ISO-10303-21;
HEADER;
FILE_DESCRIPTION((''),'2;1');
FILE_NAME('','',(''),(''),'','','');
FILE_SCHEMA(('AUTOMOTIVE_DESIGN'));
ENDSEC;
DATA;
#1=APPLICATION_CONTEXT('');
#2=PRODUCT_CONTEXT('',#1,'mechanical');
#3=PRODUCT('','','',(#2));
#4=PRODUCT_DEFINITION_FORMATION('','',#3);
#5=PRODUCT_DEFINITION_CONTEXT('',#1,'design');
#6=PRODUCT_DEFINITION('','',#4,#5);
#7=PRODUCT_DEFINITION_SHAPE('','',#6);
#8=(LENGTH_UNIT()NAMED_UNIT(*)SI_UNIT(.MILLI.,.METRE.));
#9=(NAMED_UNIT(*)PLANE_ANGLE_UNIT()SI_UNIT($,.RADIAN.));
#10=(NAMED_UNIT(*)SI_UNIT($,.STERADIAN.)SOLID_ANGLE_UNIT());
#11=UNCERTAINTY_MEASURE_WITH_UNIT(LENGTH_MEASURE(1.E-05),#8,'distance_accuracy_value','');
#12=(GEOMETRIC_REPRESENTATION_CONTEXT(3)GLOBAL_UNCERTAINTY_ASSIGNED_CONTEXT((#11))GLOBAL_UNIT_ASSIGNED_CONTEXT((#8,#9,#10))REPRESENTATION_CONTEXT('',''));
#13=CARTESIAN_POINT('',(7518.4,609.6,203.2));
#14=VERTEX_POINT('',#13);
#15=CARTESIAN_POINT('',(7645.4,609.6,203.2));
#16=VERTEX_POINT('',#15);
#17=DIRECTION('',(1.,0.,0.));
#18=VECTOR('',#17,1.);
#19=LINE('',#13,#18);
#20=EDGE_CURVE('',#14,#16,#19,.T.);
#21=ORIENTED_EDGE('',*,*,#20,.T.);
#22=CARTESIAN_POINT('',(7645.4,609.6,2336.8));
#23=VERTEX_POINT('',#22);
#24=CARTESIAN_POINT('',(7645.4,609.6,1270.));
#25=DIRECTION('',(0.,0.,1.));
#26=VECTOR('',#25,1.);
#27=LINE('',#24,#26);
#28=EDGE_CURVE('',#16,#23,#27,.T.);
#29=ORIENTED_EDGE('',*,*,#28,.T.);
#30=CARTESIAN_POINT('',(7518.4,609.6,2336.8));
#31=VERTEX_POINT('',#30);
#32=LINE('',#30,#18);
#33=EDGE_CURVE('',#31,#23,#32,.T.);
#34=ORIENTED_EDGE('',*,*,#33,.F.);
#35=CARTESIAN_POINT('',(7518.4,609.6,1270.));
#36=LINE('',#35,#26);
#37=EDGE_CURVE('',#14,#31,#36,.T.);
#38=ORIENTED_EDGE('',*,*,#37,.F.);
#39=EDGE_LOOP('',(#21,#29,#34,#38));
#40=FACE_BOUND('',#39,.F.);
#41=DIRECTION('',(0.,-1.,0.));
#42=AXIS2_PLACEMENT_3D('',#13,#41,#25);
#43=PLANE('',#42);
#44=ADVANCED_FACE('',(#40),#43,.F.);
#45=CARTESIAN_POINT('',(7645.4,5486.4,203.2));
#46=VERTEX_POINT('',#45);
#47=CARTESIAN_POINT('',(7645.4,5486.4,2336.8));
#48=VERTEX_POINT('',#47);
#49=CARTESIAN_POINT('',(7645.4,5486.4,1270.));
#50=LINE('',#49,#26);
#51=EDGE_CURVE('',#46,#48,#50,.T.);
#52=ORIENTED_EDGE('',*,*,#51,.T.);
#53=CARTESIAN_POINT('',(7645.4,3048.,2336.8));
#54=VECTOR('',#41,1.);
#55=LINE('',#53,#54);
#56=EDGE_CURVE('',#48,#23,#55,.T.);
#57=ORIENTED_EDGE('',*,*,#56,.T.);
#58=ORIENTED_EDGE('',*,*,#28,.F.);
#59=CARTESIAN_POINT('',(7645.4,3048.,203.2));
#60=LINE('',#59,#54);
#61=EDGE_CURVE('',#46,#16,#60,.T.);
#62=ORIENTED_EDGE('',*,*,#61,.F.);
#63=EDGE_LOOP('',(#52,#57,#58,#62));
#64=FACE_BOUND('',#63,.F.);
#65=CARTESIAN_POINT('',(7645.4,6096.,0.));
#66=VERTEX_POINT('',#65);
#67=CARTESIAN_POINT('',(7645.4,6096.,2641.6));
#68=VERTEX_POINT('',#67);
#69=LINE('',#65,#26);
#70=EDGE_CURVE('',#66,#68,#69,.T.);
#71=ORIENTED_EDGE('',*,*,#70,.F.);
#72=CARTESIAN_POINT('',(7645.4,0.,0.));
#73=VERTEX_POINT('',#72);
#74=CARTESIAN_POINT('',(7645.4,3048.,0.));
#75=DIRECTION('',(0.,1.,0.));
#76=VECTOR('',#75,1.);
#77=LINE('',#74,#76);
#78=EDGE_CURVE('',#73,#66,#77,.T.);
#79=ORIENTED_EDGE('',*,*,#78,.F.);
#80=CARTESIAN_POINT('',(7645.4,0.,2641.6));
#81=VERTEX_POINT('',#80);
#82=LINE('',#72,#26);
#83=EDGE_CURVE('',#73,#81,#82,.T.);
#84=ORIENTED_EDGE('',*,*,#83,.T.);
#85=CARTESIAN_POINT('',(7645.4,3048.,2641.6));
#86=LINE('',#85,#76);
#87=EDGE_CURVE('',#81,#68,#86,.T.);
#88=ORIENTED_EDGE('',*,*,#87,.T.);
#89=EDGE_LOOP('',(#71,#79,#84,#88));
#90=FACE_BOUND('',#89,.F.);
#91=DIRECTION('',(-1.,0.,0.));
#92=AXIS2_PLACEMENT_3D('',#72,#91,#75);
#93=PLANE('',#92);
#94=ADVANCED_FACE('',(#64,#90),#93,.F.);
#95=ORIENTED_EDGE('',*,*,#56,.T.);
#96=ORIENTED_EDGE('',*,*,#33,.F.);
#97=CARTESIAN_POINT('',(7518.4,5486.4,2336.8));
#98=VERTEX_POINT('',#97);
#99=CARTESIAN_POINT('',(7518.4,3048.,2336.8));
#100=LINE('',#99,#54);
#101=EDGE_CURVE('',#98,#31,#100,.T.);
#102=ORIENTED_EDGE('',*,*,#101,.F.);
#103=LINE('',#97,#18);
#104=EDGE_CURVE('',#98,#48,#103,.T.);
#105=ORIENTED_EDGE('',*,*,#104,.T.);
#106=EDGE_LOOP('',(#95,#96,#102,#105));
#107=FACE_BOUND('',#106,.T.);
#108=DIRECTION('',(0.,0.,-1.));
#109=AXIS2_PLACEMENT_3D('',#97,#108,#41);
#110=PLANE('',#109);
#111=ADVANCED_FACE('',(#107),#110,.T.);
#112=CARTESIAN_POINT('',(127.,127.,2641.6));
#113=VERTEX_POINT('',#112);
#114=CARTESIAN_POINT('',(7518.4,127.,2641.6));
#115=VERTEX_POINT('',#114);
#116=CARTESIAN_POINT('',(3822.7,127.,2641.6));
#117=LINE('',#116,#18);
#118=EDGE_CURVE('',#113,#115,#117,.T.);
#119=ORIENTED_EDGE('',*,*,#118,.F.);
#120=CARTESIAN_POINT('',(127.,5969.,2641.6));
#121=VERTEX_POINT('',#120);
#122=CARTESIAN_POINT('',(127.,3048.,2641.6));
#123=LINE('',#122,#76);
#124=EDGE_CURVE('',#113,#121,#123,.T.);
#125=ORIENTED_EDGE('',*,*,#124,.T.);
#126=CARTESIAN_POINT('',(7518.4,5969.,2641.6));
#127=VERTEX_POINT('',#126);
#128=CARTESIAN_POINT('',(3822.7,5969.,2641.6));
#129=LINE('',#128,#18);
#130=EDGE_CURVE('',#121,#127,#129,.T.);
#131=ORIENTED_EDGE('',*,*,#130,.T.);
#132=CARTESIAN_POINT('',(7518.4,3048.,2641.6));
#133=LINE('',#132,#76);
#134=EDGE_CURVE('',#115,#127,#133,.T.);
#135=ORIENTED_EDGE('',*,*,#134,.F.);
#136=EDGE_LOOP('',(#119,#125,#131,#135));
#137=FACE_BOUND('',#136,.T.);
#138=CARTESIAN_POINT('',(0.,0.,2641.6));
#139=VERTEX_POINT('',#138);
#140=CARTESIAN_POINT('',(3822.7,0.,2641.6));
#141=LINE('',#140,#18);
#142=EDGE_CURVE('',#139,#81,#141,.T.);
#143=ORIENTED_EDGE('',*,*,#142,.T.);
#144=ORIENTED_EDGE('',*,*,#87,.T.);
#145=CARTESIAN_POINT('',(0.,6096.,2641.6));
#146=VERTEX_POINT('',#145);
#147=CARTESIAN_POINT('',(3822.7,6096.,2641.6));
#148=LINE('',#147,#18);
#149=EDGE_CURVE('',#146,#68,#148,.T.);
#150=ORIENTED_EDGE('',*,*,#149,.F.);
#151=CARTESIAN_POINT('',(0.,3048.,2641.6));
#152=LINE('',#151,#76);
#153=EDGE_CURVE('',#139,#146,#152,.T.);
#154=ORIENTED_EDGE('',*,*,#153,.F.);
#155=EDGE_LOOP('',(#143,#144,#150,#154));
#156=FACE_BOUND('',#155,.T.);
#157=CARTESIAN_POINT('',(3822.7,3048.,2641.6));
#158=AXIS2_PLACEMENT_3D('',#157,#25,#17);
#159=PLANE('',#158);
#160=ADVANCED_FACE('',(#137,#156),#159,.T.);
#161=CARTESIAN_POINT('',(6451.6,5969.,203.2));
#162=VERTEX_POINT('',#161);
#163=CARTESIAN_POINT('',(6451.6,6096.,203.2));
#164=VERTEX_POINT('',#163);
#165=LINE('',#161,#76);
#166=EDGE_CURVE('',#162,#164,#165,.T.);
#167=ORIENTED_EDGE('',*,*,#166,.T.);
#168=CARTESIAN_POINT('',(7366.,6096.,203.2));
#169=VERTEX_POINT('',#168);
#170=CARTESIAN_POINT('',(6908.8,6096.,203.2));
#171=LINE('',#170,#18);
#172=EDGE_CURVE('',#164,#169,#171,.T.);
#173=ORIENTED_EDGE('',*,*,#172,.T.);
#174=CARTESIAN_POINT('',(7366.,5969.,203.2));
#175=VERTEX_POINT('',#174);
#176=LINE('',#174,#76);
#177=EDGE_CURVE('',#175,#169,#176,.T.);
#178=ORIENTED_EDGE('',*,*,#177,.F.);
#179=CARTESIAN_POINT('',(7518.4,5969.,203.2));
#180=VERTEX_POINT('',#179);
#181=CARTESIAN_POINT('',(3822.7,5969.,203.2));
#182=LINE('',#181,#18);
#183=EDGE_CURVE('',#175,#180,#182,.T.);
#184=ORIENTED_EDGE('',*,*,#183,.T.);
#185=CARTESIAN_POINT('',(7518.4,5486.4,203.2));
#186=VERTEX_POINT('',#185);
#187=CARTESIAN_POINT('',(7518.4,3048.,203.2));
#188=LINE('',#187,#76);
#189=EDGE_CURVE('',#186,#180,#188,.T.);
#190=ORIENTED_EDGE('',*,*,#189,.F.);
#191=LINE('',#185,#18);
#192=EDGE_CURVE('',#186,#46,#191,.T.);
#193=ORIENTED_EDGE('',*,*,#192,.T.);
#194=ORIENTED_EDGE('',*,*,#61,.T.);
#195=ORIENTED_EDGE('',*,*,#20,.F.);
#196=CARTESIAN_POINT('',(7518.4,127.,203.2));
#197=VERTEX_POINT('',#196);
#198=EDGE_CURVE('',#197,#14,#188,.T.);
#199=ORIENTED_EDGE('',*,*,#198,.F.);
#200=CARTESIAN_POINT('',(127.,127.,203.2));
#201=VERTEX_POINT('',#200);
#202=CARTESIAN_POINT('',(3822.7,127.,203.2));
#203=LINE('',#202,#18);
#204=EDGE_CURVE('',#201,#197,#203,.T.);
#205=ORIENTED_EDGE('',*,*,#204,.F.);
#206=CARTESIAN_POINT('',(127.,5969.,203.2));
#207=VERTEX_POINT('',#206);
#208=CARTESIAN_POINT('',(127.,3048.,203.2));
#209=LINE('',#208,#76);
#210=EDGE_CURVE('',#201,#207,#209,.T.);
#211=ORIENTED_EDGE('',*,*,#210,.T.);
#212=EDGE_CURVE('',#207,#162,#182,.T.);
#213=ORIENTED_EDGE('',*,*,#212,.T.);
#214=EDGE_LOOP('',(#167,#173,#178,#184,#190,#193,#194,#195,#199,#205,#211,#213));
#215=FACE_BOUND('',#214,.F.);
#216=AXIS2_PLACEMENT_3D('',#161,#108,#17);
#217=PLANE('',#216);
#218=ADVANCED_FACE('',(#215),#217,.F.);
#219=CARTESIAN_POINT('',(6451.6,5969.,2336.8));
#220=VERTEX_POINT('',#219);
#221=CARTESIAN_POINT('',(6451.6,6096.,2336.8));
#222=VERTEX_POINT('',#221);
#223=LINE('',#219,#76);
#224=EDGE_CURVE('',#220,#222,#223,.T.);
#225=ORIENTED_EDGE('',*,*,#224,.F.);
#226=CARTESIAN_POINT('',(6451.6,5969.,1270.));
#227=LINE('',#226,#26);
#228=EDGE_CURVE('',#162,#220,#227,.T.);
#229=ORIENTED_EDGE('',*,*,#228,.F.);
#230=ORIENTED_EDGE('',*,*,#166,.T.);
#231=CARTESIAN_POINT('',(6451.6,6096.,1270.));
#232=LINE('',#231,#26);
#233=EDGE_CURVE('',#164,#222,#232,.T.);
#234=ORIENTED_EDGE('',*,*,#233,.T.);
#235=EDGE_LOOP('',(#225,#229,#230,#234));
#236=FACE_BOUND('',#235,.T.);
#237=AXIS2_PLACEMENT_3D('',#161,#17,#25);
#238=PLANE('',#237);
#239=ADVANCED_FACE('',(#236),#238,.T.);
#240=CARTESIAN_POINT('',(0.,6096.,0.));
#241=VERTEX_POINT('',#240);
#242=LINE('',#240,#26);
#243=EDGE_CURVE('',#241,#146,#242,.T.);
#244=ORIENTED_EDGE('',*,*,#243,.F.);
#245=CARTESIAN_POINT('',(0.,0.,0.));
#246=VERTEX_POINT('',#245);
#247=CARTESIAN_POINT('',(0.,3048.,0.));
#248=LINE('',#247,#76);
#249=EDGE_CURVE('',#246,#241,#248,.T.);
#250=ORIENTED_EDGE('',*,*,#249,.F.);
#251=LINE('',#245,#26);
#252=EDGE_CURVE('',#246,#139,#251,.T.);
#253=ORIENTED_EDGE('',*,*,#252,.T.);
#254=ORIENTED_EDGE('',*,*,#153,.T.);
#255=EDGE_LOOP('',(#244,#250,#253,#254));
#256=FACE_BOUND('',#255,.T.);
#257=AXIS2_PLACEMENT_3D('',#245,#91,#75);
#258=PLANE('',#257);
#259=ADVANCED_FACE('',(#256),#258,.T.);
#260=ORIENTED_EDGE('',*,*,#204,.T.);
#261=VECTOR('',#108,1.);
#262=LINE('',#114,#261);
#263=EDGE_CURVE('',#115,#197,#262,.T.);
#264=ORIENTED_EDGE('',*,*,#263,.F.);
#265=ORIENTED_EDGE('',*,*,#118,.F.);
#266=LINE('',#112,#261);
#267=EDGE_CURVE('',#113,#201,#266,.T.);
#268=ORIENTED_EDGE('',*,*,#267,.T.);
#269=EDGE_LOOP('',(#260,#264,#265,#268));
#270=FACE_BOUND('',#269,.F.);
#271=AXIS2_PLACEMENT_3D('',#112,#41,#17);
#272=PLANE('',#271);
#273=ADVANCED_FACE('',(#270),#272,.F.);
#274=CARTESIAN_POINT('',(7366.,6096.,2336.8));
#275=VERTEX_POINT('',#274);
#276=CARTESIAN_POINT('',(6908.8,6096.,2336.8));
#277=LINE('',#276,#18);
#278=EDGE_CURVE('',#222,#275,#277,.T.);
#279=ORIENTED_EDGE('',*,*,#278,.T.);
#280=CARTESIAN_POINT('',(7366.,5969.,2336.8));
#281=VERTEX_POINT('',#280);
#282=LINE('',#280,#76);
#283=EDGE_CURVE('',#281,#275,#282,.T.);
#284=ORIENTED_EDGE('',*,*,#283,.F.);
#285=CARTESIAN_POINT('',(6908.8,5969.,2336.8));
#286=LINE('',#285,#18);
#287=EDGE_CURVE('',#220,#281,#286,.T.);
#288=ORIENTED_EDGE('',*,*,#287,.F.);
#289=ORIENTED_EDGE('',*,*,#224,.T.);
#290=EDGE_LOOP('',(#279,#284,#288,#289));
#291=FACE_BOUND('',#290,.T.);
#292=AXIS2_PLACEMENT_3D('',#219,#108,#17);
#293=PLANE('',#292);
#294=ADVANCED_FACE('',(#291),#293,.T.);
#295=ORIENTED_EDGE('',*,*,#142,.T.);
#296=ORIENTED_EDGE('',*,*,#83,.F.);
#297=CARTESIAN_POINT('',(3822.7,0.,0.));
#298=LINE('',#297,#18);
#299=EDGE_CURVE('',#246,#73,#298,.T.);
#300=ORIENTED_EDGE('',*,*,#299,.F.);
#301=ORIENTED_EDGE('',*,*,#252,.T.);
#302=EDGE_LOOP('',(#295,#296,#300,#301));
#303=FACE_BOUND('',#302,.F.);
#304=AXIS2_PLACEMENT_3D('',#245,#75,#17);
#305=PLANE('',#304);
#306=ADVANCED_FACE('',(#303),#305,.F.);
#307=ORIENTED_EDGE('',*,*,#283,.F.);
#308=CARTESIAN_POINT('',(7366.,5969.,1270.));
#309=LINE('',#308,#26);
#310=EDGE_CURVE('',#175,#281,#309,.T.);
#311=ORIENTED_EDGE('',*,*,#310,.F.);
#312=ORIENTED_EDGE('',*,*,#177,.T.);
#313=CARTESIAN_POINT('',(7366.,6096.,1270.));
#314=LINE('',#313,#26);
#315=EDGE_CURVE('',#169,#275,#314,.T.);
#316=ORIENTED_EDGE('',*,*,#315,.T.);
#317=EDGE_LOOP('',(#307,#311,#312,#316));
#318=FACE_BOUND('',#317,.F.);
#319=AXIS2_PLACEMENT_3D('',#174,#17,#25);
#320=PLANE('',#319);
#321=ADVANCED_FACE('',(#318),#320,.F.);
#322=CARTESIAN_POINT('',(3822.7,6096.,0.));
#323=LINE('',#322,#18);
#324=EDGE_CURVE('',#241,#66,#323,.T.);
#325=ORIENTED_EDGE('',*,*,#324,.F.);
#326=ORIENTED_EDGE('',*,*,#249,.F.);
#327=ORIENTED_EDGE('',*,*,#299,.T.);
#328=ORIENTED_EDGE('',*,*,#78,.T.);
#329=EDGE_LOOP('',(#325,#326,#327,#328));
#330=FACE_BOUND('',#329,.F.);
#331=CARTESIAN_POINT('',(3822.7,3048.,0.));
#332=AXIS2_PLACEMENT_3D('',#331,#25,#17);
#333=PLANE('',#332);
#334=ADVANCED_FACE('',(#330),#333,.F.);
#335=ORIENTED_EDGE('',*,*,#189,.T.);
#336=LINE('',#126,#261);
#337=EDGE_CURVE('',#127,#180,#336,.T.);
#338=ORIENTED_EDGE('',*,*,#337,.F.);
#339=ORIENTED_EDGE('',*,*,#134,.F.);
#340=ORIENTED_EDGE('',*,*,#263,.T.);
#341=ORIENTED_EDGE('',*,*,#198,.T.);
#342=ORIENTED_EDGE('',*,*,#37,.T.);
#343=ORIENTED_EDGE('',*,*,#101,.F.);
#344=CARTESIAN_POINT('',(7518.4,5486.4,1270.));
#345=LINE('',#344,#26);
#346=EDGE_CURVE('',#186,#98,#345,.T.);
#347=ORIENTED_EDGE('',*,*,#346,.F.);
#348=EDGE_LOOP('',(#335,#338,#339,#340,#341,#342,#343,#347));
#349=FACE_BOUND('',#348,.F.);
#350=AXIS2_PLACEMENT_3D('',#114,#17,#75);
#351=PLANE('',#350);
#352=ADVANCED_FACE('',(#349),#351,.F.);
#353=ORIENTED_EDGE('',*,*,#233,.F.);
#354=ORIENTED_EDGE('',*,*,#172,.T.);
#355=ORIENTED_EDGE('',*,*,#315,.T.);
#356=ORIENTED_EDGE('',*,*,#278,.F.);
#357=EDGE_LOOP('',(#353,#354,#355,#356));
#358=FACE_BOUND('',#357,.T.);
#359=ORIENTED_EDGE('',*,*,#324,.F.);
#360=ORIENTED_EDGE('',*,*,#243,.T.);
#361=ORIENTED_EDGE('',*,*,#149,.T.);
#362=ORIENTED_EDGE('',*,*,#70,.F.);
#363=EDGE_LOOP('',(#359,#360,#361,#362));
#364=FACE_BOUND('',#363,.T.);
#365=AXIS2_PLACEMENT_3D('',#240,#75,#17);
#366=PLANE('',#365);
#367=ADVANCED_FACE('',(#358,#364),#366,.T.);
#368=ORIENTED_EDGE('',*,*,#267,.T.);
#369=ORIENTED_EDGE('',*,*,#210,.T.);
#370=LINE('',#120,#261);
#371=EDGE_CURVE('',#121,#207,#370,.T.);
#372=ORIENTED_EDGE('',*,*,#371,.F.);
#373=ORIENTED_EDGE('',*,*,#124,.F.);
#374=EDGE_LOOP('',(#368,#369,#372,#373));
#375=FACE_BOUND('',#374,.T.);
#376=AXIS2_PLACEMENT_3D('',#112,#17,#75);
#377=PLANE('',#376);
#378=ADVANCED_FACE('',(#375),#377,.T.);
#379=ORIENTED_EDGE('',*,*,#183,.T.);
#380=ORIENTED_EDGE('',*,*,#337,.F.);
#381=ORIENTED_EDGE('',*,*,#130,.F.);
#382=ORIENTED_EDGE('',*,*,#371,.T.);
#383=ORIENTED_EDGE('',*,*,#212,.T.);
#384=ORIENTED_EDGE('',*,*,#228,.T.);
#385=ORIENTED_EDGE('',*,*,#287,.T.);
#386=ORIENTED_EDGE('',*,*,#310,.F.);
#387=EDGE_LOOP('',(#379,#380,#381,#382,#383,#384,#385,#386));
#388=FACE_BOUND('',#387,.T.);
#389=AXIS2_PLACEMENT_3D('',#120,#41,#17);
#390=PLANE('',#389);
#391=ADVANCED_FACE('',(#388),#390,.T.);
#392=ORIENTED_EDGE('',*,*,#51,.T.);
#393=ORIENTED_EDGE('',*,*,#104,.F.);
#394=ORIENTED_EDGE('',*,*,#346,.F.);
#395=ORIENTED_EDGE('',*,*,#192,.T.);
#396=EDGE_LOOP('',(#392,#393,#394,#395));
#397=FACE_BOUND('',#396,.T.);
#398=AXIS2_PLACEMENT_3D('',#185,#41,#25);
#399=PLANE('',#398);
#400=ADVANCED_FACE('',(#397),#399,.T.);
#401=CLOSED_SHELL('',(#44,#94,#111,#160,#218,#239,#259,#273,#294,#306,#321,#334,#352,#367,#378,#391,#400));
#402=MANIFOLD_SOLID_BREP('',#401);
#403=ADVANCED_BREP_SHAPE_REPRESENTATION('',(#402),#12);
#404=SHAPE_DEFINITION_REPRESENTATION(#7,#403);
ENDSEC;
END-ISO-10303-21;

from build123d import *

# Parameters (mm, degrees)
F0_W     = 7645.4
F0_H     = 6096
F1_DEPTH = 2641.6
F2_W     = 7391.4
F2_H     = 5842
F3_DEPTH = 2438.4
F4_W     = 4876.8
F4_H     = 2133.6
F5_DEPTH = 127
F6_W     = 914.4
F6_H     = 2133.6
F7_DEPTH = 127


with BuildPart() as f1:
    # F0 (on Top) → F1 (new body)
    with BuildSketch(Plane.XY):
        with Locations((3822.7, 3048)):
            Rectangle(F0_W, F0_H)
    extrude(amount=F1_DEPTH)

    # F2 (on face) → F3 (cut)
    with BuildSketch(Plane.XY.offset(2641.6)):
        with Locations((3822.7, 3048)):
            Rectangle(F2_W, F2_H)
    extrude(amount=-F3_DEPTH, mode=Mode.SUBTRACT)

    # F4 (on face) → F5 (cut, through all)
    with BuildSketch(Plane(origin=(7518.4, 0, 0), x_dir=(0, -1, 0), z_dir=(-1, 0, 0))):
        with Locations((-3048, 1270)):
            Rectangle(F4_W, F4_H)
    extrude(amount=-F5_DEPTH, mode=Mode.SUBTRACT)

    # F6 (on face) → F7 (cut, through all)
    with BuildSketch(Plane.XZ.offset(-5969)):
        with Locations((6908.8, 1270)):
            Rectangle(F6_W, F6_H)
    extrude(amount=-F7_DEPTH, mode=Mode.SUBTRACT)


solid = f1.part
